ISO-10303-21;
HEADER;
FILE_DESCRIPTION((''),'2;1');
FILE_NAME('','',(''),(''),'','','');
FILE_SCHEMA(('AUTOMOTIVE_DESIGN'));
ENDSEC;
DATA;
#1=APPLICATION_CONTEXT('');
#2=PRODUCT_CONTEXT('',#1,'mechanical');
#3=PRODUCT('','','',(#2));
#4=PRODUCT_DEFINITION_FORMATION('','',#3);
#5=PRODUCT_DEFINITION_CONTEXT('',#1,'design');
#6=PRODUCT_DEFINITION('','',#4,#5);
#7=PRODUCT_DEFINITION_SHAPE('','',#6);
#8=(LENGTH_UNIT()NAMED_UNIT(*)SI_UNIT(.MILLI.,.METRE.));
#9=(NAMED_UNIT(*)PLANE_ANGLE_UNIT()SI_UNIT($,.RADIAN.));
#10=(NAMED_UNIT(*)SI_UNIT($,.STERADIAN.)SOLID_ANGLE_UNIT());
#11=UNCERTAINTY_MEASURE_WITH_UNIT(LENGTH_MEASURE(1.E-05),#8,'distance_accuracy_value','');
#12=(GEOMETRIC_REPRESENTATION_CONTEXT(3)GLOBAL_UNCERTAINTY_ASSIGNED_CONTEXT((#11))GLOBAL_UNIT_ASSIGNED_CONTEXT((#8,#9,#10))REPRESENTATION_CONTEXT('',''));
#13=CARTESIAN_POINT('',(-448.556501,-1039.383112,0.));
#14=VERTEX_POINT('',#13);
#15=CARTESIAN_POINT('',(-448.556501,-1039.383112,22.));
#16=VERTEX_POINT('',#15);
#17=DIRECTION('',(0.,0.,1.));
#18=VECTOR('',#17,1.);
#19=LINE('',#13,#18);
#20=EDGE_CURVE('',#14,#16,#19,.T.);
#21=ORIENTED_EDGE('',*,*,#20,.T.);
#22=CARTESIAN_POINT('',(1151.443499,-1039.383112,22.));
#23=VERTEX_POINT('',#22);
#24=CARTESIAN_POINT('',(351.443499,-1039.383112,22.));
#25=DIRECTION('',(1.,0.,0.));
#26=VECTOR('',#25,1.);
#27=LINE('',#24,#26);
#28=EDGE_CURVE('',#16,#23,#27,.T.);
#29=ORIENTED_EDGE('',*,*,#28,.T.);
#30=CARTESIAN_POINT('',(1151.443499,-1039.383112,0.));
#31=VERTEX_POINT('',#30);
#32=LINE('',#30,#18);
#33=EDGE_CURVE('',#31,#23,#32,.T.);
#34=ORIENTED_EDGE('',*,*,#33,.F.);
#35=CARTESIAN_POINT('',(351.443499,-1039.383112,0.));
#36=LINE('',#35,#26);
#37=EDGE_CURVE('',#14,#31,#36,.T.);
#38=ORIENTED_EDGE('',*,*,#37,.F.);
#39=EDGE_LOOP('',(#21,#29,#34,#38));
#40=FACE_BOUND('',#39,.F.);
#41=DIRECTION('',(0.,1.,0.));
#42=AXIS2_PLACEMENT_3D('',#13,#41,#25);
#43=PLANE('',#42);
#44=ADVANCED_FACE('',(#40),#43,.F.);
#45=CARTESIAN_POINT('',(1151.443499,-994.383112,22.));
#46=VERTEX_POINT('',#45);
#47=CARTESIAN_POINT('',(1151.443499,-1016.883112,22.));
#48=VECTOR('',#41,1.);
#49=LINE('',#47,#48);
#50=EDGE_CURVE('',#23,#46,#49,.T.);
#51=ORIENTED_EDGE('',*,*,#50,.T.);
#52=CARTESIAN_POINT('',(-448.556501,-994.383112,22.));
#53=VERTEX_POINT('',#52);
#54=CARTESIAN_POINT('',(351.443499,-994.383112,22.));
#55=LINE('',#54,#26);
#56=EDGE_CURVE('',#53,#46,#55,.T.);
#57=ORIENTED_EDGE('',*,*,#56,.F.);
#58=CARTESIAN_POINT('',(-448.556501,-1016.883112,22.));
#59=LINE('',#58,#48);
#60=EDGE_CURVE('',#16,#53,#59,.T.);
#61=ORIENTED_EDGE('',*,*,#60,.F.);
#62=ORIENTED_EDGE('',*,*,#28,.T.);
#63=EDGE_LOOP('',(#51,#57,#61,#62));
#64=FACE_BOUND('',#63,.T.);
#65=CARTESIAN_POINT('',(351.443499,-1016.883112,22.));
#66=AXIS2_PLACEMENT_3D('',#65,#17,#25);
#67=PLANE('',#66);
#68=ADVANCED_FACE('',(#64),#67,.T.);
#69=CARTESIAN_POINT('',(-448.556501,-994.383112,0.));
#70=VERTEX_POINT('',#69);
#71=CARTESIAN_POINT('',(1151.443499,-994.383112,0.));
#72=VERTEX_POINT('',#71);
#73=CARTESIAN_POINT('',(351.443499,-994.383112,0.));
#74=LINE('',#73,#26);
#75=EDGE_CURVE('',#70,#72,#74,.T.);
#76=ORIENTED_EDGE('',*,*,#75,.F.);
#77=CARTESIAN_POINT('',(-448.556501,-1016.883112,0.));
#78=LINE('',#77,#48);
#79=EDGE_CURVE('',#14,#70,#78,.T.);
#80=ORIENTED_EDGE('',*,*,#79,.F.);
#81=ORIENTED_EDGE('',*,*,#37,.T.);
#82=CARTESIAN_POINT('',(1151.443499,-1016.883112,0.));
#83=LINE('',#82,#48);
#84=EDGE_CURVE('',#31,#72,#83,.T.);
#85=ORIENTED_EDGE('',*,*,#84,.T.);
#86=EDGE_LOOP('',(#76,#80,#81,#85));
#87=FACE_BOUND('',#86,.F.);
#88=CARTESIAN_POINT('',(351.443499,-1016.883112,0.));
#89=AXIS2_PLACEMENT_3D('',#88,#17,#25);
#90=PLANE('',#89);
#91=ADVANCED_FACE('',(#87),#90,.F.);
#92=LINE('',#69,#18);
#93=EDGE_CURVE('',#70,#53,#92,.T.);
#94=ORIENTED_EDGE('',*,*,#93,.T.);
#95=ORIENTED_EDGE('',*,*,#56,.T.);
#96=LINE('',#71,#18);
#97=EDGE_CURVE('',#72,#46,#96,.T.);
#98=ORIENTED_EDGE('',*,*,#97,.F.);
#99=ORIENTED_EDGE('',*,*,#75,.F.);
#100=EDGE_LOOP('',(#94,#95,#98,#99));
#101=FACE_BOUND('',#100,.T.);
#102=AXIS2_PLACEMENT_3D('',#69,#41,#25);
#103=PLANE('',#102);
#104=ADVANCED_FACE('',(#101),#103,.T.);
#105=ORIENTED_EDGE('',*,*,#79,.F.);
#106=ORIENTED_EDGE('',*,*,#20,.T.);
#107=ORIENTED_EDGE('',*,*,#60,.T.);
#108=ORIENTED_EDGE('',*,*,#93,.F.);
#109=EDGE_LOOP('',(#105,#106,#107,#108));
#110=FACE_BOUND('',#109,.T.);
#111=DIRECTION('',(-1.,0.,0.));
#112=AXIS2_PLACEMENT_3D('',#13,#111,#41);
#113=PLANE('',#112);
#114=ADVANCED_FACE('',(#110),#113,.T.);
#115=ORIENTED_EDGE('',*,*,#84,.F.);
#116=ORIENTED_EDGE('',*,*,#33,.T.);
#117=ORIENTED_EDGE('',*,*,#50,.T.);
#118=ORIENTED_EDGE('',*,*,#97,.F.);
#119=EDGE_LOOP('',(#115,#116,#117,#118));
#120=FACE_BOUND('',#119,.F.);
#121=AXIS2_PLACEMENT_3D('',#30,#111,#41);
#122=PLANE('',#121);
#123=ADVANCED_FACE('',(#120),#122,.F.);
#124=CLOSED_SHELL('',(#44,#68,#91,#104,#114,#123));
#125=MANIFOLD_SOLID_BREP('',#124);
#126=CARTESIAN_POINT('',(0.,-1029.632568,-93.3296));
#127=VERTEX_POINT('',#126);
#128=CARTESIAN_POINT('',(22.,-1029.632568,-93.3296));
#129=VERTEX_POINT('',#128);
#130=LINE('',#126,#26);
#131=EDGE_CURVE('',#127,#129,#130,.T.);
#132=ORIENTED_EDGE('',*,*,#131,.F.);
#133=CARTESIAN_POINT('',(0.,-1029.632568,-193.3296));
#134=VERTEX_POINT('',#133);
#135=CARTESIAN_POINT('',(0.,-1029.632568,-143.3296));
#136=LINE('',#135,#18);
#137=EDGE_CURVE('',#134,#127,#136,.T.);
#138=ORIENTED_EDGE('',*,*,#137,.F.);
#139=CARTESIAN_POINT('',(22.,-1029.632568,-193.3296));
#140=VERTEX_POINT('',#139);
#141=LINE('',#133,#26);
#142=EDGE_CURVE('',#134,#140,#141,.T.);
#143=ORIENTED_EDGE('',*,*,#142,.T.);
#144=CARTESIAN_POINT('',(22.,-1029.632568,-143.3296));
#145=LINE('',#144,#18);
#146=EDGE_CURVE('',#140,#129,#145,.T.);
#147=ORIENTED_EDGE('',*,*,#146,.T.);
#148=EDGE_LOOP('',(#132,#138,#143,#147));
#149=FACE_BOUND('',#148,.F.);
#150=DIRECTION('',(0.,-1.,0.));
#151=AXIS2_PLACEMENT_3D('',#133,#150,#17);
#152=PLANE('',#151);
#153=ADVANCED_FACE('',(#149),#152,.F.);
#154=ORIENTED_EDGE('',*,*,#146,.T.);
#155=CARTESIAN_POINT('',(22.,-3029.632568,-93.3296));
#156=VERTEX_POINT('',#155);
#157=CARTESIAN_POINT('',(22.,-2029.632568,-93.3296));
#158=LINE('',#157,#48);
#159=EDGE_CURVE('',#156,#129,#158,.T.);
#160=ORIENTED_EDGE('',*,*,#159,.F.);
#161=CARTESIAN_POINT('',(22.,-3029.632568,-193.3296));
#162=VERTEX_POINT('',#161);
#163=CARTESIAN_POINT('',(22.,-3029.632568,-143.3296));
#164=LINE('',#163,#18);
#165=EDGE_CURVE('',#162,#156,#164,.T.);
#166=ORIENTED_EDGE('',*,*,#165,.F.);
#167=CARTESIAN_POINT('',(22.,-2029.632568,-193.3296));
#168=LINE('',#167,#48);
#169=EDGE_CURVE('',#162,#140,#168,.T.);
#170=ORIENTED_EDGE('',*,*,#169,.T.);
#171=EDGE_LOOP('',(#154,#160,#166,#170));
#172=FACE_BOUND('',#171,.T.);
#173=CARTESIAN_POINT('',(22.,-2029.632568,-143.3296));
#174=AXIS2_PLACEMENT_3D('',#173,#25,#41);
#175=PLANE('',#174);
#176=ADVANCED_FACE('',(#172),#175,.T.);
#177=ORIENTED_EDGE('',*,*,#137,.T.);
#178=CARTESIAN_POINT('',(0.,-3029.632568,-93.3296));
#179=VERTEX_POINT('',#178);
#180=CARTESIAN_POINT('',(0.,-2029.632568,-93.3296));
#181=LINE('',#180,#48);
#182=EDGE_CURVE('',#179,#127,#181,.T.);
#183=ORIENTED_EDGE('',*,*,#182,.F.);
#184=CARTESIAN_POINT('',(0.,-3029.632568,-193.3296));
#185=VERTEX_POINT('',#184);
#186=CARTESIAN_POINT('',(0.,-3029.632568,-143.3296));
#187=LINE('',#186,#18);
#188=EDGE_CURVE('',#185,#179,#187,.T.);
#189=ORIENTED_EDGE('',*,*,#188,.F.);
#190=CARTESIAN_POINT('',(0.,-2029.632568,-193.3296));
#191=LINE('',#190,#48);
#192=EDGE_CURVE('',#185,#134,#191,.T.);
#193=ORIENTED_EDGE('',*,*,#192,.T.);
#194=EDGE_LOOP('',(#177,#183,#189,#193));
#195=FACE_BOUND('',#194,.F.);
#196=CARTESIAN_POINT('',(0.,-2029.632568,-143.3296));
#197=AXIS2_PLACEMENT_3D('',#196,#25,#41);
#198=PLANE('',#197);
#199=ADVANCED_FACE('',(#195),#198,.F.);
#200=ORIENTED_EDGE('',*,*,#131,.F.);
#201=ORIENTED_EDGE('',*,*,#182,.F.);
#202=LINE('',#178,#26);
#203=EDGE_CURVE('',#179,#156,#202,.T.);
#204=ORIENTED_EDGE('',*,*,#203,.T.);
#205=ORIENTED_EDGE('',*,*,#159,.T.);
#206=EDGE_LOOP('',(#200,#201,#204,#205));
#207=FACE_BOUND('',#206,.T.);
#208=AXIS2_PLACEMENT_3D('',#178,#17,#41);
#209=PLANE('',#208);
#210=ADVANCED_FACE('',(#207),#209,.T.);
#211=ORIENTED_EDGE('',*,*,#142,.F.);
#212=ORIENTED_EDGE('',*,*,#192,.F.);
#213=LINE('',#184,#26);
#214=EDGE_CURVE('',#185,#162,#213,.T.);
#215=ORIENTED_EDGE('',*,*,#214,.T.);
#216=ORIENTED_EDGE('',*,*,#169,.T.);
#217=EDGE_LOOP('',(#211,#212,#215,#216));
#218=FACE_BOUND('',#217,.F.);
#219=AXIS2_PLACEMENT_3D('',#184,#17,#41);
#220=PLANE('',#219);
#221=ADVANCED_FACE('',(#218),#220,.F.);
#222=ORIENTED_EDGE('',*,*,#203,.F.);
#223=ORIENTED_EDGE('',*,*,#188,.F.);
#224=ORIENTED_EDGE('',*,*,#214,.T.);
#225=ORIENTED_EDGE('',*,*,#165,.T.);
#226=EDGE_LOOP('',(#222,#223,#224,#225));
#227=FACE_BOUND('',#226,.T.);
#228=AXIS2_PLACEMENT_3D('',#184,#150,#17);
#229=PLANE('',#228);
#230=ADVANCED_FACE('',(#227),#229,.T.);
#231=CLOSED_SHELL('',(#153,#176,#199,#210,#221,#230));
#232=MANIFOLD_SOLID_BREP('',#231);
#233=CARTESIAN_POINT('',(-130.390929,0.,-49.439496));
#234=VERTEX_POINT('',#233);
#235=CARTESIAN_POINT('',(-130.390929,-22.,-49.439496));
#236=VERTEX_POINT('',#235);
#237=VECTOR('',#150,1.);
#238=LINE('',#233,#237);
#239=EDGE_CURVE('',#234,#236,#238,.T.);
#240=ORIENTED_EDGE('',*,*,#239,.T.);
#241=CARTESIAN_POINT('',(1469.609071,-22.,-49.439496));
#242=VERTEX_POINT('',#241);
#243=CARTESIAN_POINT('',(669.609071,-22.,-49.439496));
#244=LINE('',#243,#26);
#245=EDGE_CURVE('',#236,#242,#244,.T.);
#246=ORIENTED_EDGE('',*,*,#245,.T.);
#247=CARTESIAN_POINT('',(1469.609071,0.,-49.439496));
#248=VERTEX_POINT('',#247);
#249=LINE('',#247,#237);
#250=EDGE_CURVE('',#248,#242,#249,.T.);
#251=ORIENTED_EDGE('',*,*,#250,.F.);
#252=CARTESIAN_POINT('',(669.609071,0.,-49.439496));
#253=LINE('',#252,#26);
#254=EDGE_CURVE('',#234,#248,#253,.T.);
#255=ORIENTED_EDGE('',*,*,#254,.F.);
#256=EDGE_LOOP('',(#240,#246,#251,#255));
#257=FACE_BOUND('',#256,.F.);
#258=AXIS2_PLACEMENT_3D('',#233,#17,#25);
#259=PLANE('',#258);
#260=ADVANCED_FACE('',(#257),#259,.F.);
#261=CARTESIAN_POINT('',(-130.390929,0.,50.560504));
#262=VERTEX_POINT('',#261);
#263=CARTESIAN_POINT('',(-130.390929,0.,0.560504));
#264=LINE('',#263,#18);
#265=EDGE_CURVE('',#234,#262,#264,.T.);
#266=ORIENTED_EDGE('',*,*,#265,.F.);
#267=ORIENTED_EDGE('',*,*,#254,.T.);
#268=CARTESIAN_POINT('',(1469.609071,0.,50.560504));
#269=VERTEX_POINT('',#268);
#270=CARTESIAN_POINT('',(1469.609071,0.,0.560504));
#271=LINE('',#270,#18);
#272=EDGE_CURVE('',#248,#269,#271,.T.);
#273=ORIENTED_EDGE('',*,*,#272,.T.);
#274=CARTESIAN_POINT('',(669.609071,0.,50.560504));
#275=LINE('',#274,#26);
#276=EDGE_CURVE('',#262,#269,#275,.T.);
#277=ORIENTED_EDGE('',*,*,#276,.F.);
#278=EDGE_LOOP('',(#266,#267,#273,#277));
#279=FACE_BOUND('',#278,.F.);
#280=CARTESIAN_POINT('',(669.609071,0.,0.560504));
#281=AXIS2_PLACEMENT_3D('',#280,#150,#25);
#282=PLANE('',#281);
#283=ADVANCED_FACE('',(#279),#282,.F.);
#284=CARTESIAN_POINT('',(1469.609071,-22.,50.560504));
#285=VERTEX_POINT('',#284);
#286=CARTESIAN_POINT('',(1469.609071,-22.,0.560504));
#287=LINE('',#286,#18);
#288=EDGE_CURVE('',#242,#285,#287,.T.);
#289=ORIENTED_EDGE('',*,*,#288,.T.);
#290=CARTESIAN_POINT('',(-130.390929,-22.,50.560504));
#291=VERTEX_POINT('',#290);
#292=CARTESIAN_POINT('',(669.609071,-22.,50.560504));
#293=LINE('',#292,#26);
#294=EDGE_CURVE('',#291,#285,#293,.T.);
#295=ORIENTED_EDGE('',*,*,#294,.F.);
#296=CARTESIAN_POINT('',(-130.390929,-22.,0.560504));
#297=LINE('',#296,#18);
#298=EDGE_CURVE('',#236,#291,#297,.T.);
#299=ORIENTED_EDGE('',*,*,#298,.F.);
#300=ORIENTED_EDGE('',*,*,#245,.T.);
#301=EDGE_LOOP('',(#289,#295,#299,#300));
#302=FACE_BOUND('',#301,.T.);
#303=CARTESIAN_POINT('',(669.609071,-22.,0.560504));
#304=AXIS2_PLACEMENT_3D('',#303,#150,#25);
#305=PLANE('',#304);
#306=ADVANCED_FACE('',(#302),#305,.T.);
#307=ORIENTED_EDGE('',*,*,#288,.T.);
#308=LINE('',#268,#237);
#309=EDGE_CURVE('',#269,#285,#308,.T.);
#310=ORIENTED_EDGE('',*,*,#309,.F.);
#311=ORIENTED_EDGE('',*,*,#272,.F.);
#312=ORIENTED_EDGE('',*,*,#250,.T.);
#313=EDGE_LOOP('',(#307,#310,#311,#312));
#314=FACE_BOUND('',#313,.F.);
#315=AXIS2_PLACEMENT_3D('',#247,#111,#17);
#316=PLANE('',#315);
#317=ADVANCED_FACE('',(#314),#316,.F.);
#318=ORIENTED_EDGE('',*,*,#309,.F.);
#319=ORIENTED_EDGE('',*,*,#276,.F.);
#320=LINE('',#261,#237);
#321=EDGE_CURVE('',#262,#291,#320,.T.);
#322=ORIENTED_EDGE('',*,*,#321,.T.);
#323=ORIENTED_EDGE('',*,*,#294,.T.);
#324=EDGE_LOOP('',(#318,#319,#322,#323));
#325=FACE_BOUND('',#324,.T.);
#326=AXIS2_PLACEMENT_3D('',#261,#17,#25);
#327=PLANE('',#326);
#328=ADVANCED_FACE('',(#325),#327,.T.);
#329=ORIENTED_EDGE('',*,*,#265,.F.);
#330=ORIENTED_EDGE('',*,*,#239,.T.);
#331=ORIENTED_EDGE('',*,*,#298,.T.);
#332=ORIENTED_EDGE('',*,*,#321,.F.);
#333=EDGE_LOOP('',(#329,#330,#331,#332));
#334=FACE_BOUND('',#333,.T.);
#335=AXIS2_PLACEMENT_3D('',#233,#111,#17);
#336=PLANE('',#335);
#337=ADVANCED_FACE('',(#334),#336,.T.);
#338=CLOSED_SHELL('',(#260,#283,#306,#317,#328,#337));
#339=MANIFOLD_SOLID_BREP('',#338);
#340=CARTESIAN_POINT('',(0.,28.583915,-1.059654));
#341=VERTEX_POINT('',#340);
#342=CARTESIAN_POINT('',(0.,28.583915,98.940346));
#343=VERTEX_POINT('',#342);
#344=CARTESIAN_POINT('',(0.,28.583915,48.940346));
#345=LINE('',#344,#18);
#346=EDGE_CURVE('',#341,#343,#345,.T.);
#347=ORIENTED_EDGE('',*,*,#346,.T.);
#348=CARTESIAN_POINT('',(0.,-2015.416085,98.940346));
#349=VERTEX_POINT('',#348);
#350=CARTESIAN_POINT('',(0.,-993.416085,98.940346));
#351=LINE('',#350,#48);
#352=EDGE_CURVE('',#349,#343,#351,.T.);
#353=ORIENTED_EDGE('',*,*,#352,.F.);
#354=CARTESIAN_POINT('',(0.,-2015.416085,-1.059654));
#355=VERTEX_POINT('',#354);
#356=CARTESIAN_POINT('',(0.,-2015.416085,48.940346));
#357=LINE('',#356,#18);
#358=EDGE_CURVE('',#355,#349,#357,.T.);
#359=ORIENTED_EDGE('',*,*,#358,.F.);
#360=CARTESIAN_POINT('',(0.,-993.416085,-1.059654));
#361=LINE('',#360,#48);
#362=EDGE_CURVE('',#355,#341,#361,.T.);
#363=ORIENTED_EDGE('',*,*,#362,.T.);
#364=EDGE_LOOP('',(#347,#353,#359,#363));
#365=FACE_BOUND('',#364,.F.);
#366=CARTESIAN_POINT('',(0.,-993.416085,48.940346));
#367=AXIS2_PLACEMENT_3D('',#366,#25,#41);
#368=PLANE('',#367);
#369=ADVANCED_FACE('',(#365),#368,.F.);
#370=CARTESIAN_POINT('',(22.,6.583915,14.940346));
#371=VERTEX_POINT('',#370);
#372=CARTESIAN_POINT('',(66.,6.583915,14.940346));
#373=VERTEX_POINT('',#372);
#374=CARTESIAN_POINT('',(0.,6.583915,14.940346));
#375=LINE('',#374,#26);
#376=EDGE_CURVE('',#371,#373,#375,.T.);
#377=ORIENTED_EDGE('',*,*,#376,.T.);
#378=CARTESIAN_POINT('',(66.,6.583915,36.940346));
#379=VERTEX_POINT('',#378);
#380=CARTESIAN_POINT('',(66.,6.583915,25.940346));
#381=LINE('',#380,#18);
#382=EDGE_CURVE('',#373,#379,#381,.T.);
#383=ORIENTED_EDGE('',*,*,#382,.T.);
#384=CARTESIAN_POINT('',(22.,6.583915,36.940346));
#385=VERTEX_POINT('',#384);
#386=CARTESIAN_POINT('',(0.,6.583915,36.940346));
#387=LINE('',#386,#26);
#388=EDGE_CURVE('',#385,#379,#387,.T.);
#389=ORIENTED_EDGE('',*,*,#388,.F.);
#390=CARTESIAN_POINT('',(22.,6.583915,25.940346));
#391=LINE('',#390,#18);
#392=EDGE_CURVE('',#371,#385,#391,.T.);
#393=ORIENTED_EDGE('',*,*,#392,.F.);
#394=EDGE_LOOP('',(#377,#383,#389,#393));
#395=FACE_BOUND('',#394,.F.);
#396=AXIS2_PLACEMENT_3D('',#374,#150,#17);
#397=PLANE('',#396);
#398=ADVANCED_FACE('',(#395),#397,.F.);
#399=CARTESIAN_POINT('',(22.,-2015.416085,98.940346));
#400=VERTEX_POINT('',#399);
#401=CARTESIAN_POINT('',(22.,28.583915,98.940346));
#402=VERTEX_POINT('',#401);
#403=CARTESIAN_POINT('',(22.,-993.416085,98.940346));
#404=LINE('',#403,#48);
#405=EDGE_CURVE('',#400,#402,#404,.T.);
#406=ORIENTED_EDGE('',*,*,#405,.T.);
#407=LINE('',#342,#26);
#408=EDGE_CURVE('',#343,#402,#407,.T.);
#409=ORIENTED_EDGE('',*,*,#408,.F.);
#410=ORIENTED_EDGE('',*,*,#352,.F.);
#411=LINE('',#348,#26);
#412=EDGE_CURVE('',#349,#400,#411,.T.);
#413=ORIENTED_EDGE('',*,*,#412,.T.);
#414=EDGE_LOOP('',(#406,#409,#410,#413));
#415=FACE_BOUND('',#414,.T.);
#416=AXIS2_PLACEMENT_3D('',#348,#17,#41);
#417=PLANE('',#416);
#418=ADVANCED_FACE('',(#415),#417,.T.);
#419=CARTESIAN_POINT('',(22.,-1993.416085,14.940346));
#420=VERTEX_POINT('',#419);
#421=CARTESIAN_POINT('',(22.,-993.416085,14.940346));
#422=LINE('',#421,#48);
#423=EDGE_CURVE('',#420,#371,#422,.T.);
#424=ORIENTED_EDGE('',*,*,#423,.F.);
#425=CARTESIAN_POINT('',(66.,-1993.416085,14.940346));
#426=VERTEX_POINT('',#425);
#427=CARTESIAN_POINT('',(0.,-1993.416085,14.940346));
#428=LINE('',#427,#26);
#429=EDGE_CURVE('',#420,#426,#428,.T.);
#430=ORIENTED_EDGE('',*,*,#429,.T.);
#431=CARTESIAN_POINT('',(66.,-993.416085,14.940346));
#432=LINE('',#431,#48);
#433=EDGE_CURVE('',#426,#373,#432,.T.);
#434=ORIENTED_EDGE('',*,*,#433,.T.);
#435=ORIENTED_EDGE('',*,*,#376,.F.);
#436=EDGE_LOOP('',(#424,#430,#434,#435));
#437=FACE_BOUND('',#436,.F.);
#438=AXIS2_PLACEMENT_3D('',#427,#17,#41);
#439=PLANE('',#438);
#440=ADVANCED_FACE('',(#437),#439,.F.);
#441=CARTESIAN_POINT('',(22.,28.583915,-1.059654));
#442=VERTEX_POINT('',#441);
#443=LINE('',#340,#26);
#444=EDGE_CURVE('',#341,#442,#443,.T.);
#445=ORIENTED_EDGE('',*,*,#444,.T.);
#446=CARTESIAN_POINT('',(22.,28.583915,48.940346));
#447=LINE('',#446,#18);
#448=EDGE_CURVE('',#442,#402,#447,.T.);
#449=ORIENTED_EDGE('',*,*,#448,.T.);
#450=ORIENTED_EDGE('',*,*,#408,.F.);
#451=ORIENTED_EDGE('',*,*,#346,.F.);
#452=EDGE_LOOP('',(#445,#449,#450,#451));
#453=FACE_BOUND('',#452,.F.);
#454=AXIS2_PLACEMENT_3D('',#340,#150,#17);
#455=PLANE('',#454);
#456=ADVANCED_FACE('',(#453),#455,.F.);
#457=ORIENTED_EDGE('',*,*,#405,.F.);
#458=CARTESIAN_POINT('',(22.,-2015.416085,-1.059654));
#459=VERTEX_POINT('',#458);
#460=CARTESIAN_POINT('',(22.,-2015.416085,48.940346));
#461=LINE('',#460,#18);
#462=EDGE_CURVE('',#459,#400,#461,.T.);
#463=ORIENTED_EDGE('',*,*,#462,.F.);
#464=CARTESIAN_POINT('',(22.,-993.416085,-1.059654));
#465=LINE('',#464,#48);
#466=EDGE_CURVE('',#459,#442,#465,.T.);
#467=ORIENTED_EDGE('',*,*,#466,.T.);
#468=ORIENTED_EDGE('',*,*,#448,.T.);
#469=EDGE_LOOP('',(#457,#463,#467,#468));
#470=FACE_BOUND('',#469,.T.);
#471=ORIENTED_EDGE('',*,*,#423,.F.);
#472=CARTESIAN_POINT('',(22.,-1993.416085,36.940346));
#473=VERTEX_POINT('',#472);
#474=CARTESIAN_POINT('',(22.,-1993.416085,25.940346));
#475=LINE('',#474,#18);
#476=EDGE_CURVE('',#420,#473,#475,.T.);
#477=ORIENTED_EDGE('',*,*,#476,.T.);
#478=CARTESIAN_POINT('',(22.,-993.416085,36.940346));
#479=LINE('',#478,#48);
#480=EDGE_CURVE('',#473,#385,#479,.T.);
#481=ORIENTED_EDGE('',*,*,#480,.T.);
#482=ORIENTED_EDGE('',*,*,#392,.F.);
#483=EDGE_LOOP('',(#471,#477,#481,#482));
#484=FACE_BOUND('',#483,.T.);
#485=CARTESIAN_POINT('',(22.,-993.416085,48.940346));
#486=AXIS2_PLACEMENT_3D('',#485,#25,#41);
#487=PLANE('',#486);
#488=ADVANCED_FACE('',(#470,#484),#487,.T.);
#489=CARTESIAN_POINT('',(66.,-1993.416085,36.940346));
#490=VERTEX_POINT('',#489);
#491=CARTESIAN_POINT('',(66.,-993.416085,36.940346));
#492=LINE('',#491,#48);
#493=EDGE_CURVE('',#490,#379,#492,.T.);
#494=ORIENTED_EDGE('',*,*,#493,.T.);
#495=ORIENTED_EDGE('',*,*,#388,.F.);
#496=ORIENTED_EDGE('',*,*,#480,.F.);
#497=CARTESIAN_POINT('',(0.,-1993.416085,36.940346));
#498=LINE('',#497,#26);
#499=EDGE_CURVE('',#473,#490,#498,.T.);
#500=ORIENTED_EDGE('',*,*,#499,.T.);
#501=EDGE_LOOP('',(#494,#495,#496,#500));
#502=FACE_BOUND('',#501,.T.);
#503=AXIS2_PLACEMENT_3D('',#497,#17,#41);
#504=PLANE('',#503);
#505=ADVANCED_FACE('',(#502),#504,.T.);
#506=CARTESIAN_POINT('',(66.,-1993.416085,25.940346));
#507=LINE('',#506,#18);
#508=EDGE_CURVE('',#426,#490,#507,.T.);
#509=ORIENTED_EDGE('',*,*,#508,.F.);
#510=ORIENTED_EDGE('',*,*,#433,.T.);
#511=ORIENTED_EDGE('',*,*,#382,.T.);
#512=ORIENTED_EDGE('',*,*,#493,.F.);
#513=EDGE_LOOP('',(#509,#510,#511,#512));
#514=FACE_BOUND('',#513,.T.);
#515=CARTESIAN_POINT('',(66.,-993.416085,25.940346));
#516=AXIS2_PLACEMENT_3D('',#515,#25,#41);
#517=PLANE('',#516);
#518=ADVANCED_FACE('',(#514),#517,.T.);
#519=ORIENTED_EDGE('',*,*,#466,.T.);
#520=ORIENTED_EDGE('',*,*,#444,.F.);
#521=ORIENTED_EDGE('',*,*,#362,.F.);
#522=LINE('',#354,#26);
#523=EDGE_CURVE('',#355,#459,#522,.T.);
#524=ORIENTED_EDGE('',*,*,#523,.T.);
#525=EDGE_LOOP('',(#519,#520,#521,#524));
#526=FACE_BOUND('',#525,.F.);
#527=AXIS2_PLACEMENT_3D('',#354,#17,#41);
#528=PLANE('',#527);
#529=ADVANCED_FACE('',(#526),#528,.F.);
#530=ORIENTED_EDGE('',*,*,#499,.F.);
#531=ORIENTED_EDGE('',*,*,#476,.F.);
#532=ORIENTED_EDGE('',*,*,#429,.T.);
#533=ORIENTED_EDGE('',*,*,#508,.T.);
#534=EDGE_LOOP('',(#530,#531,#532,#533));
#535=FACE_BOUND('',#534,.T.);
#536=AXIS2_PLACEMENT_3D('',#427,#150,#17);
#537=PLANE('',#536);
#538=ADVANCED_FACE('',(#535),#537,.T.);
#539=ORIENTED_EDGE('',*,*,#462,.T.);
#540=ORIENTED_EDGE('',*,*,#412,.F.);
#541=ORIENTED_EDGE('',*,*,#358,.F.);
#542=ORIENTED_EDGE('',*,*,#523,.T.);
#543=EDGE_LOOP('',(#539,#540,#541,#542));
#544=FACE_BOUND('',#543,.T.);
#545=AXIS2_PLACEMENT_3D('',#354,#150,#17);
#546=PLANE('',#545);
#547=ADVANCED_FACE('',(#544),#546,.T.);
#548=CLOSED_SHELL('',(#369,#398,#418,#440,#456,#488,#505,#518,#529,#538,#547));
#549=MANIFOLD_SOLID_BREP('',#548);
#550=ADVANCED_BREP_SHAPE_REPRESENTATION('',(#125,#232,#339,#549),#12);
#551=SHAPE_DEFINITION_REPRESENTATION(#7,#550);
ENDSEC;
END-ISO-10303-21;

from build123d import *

# Parameters (mm, degrees)
F1_W     = 2044
F1_H     = 100
F1_W_2   = 2000
F1_H_2   = 22
F3_DEPTH = 22
F4_DEPTH = 66
F2_W     = 1600
F2_H     = 100
F5_DEPTH = 22
F6_W     = 1600
F6_H     = 45
F7_DEPTH = 22
F8_W     = 2000
F8_H     = 100
F9_DEPTH = 22


with BuildPart() as f3:
    # F1 (on Right) → F3 (new body)
    with BuildSketch(Plane.YZ):
        with Locations((-993.4160848077, 48.9403463067)):
            Rectangle(F1_W, F1_H)
        with Locations((-993.4160848077, 25.9403463067)):
            Rectangle(F1_W_2, F1_H_2, mode=Mode.SUBTRACT)
    extrude(amount=F3_DEPTH)

    # F1 (on Right) → F4 (join)
    with BuildSketch(Plane.YZ):
        with Locations((-993.4160848077, 25.9403463067)):
            Rectangle(F1_W_2, F1_H_2)
    extrude(amount=F4_DEPTH)


with BuildPart() as f5:
    # F2 (on Front) → F5 (new body)
    with BuildSketch(Plane.XZ):
        with Locations((669.6090708971, 0.5605035093)):
            Rectangle(F2_W, F2_H)
    extrude(amount=F5_DEPTH)


with BuildPart() as f7:
    # F6 (on Top) → F7 (new body)
    with BuildSketch(Plane.XY):
        with Locations((351.4434993267, -1016.8831119705)):
            Rectangle(F6_W, F6_H)
    extrude(amount=F7_DEPTH)


with BuildPart() as f9:
    # F8 (on Right) → F9 (new body)
    with BuildSketch(Plane.YZ):
        with Locations((-2029.6325683594, -143.3295997611)):
            Rectangle(F8_W, F8_H)
    extrude(amount=F9_DEPTH)


solid = Compound([f3.part, f5.part, f7.part, f9.part])
